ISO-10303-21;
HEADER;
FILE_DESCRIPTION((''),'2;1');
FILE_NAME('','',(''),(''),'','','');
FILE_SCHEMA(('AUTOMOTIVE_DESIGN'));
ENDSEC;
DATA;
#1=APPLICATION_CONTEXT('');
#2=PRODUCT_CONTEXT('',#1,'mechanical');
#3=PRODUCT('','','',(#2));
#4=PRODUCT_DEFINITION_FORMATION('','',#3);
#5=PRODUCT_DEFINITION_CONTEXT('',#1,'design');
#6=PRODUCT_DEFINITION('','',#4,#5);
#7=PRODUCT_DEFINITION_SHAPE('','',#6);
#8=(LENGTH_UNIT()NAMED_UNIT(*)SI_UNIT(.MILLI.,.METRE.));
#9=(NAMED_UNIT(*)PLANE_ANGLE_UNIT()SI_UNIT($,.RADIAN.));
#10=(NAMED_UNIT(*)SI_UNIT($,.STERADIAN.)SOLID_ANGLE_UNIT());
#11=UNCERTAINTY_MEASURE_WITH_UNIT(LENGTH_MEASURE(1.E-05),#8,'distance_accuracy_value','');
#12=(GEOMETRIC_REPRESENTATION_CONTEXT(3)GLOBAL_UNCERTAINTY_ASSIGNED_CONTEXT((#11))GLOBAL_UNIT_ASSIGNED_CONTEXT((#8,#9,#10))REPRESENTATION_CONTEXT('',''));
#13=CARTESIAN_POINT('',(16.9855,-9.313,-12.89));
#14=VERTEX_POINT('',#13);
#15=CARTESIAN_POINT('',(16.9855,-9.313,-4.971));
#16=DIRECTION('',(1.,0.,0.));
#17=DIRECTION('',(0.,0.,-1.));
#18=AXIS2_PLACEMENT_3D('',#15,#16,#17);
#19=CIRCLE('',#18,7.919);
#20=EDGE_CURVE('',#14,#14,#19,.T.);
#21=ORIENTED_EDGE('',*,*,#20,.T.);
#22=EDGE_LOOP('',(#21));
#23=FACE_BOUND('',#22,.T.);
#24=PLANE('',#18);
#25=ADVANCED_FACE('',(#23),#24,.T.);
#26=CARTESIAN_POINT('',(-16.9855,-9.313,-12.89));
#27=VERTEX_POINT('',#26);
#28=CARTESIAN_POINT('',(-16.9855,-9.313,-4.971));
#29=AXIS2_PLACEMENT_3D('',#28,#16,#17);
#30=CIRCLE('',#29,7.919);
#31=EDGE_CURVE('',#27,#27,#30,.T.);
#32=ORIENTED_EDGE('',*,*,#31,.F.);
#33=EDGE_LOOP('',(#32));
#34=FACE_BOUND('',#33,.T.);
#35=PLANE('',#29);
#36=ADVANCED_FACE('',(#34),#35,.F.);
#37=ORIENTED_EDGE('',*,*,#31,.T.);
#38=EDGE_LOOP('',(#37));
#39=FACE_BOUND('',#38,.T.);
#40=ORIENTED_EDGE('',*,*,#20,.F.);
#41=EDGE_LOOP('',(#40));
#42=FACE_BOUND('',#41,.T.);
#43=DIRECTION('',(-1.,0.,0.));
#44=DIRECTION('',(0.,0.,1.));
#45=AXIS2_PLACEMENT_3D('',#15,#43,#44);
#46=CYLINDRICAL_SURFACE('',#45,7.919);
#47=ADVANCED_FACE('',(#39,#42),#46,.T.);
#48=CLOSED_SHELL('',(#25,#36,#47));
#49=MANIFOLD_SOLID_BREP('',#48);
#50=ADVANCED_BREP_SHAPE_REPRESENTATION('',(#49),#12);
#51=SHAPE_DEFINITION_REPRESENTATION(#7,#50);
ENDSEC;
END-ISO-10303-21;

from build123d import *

# Parameters (mm, degrees)
CURVESKETCH_R   = 7.919
CURVEBOSS_DEPTH = 16.9855


with BuildPart() as part:
    # CurveSketch → CurveBoss (new, symmetric)
    with BuildSketch(Plane(origin=(0, 0, 0), x_dir=(0, 0, -1), z_dir=(1, 0, 0))):
        with Locations((4.971, -9.313)):
            Circle(CURVESKETCH_R)
    extrude(amount=CURVEBOSS_DEPTH, both=True)


solid = part.part
